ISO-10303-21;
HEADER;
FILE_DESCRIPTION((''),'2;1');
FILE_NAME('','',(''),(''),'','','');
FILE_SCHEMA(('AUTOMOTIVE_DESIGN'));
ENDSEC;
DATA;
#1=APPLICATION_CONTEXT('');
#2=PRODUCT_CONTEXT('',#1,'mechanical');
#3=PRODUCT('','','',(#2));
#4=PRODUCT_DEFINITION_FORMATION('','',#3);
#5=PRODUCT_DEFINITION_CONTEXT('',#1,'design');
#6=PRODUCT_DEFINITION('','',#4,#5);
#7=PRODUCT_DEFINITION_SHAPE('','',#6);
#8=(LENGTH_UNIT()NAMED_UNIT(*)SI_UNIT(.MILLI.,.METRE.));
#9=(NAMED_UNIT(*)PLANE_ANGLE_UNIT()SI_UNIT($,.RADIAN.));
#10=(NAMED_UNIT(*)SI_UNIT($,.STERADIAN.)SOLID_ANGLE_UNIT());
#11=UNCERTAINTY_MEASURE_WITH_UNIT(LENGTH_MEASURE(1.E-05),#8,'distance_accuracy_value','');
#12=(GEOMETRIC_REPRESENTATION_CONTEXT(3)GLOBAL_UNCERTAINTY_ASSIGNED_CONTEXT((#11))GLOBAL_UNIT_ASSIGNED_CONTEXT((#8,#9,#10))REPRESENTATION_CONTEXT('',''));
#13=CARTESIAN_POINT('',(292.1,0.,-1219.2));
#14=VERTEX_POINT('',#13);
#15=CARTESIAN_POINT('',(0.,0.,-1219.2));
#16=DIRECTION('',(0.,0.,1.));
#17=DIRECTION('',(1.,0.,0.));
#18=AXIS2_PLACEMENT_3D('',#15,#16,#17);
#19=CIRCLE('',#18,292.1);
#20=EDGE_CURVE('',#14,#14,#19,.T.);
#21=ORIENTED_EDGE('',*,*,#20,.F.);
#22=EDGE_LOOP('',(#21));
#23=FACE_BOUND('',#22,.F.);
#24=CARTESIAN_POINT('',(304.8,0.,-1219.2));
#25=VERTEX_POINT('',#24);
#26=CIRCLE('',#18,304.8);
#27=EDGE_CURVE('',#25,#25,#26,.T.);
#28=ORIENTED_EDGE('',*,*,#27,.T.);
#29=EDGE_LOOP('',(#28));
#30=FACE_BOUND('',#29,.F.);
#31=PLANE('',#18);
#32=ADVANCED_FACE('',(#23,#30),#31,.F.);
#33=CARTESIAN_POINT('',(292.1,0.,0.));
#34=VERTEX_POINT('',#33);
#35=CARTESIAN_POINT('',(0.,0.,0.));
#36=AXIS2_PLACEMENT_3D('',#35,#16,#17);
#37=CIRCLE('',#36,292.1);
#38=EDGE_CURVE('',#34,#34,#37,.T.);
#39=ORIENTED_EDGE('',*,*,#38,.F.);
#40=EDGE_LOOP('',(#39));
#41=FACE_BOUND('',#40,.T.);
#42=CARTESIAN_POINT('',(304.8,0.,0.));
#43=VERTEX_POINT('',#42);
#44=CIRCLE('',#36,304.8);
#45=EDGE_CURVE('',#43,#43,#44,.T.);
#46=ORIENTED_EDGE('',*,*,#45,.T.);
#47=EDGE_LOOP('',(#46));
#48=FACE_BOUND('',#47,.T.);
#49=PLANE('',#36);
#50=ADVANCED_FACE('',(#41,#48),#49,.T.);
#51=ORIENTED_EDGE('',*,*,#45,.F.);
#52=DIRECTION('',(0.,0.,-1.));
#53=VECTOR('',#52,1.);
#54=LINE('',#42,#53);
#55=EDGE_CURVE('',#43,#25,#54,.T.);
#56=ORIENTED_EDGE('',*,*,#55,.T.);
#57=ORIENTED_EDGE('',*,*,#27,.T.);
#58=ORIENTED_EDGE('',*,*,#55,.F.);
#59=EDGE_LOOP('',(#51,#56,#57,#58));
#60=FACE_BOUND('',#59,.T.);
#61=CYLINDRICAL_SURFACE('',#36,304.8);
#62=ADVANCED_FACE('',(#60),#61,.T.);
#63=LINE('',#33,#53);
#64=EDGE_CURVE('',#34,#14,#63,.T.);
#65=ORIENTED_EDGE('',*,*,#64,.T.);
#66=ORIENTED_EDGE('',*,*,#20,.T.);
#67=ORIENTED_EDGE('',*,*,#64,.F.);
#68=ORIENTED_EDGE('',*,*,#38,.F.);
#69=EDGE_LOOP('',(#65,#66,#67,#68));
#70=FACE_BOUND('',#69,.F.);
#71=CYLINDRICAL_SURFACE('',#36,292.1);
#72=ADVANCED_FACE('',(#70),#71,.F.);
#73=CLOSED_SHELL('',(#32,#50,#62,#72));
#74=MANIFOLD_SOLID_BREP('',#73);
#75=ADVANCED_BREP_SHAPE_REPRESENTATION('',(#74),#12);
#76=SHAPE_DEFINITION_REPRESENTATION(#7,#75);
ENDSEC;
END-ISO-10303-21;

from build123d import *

# Parameters (mm, degrees)
F0_R     = 304.8
F1_DEPTH = 1219.2
F2_T     = -12.7


with BuildPart() as f1:
    # F0 (on Top) → F1 (new body)
    with BuildSketch(Plane.XY):
        Circle(F0_R)
    extrude(amount=-F1_DEPTH)

    # F2
    f2_openings = [f1.faces().sort_by_distance(p)[0] for p in [
        (0, 0, 0),
        (0, 0, -1219.2),
    ]]
    offset(amount=F2_T, openings=f2_openings)


solid = f1.part
